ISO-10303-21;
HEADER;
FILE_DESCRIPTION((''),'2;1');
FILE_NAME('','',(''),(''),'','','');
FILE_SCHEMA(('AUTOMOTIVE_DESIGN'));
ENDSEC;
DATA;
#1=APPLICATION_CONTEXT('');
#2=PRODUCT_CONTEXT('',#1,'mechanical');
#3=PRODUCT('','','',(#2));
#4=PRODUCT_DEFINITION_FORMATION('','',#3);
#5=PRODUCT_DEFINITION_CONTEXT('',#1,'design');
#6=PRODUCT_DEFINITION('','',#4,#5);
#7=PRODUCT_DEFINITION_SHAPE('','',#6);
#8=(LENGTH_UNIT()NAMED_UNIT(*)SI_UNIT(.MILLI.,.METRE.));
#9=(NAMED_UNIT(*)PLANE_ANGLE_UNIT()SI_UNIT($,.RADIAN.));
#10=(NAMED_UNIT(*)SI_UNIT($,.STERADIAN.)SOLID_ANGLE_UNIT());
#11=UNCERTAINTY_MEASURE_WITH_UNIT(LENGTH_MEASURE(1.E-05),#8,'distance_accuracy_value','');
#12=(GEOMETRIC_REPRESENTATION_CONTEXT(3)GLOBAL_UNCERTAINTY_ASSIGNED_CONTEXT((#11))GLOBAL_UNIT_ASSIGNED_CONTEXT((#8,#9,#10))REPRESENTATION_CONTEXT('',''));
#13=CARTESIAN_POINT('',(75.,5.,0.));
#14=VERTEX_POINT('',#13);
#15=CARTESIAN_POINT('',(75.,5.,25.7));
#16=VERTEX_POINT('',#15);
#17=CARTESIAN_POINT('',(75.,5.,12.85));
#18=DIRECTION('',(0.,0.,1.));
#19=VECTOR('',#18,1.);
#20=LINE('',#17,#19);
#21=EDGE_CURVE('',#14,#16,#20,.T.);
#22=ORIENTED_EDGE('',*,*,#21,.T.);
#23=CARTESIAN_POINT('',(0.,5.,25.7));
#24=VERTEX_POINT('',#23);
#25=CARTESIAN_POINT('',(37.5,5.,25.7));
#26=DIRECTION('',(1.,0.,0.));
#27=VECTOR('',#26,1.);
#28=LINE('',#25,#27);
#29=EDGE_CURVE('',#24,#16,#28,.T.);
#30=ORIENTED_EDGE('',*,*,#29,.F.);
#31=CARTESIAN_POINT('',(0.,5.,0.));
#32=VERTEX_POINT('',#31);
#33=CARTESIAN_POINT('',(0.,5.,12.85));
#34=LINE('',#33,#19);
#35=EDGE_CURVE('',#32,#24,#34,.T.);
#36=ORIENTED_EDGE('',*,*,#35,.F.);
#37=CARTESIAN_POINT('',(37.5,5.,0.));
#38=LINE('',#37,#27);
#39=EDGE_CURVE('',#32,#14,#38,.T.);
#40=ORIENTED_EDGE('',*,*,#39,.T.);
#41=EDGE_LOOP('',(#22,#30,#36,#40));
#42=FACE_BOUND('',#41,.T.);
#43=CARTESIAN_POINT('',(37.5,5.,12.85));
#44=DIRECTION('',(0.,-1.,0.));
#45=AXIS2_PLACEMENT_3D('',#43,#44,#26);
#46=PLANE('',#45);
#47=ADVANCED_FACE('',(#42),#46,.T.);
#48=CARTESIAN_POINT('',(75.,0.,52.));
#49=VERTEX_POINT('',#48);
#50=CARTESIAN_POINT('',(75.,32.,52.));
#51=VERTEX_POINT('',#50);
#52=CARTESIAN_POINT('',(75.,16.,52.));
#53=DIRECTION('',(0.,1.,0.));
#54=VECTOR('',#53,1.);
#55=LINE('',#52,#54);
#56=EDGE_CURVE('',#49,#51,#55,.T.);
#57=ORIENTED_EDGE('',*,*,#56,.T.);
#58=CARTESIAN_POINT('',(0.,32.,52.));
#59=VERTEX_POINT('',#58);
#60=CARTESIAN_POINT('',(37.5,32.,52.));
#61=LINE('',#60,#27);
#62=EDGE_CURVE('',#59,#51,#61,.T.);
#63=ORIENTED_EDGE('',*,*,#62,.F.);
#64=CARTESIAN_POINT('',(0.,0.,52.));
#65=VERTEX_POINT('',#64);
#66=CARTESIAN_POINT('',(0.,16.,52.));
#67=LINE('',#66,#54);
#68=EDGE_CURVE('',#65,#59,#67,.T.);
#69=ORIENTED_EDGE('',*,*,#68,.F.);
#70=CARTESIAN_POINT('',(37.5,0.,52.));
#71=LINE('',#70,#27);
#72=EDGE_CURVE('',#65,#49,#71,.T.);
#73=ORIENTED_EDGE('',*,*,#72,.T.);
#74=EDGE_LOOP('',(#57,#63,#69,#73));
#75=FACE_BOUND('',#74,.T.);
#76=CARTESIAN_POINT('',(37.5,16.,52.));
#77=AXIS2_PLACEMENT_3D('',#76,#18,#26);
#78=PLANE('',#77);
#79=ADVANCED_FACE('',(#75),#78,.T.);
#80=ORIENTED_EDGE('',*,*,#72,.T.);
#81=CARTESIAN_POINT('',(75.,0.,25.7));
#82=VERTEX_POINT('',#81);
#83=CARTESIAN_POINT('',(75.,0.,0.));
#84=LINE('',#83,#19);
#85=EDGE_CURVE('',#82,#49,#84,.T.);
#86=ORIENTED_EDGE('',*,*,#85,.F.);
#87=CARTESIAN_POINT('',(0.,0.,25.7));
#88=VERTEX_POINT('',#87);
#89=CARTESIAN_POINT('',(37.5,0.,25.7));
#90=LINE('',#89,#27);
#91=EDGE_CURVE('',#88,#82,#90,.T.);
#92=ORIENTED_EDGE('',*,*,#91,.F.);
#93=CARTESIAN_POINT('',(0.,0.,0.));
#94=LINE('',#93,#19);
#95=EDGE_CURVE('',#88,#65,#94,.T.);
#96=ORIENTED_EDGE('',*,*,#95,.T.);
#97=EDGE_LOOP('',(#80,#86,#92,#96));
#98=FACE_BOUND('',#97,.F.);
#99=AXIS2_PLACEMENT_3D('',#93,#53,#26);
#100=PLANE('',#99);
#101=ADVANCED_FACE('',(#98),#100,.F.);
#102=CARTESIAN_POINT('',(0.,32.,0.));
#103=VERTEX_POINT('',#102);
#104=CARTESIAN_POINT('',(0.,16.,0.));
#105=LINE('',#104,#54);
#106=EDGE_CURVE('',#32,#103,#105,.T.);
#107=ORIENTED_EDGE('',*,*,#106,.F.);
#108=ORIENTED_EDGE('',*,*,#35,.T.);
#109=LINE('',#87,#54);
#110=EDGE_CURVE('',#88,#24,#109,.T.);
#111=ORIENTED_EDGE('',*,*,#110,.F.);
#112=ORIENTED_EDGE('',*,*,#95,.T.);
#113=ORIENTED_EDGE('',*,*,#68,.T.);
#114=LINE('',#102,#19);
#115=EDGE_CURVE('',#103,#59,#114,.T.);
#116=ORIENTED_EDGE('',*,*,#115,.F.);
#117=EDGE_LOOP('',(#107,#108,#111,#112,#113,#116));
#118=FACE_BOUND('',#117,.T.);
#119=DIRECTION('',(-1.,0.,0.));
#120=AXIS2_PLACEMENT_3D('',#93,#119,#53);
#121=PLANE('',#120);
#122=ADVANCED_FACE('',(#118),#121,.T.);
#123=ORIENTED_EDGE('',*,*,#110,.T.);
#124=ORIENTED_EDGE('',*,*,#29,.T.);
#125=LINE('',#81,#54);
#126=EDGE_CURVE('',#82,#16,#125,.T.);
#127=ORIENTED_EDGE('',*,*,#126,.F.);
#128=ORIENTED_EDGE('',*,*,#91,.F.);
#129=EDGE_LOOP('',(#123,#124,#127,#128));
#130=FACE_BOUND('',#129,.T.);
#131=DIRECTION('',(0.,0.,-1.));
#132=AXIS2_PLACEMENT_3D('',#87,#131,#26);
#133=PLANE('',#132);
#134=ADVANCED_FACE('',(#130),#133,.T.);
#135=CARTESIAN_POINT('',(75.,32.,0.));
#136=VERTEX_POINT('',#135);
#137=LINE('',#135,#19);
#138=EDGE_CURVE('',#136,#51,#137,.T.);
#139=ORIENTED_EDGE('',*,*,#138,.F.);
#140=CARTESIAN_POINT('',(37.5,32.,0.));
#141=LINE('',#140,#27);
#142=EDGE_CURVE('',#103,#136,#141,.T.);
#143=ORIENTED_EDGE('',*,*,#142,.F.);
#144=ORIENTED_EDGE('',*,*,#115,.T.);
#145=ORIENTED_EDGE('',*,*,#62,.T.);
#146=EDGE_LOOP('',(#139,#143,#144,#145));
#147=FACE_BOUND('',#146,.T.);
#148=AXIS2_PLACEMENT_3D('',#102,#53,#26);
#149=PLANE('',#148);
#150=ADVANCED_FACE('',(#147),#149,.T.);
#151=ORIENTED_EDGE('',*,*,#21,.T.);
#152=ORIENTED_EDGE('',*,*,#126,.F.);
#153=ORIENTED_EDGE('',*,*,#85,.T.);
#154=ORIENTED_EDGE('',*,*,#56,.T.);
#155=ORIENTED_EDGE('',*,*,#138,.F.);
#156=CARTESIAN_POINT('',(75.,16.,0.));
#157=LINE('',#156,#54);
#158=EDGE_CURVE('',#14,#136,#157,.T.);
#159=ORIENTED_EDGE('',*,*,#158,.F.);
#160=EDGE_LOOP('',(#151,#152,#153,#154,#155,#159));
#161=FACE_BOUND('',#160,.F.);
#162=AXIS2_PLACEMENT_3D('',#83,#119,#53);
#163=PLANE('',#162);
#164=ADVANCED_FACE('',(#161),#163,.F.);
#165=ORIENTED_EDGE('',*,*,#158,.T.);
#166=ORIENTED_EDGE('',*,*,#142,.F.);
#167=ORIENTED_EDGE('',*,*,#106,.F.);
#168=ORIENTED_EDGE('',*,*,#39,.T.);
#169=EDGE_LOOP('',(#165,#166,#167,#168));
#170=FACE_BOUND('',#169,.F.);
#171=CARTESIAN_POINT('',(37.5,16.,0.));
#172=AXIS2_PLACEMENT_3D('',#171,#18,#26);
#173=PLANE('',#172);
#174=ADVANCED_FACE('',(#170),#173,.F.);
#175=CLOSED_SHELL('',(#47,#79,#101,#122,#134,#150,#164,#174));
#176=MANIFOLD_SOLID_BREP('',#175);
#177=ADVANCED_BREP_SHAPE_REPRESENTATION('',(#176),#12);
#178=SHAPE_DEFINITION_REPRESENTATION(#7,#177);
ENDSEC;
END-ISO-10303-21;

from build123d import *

# Parameters (mm, degrees)
BOX_W        = 75
BOX_H        = 32
BOX_DEPTH    = 52
SKETCH_W     = 75
SKETCH_H     = 25.7
POCKET_DEPTH = 5


with BuildPart() as part:
    # Box → Box (new body)
    with BuildSketch(Plane.XY):
        with Locations((37.5, 16)):
            Rectangle(BOX_W, BOX_H)
    extrude(amount=BOX_DEPTH)

    # Sketch → Pocket (cut)
    with BuildSketch(Plane.XZ):
        with Locations((37.5, 12.85)):
            Rectangle(SKETCH_W, SKETCH_H)
    extrude(amount=-POCKET_DEPTH, mode=Mode.SUBTRACT)


solid = part.part
